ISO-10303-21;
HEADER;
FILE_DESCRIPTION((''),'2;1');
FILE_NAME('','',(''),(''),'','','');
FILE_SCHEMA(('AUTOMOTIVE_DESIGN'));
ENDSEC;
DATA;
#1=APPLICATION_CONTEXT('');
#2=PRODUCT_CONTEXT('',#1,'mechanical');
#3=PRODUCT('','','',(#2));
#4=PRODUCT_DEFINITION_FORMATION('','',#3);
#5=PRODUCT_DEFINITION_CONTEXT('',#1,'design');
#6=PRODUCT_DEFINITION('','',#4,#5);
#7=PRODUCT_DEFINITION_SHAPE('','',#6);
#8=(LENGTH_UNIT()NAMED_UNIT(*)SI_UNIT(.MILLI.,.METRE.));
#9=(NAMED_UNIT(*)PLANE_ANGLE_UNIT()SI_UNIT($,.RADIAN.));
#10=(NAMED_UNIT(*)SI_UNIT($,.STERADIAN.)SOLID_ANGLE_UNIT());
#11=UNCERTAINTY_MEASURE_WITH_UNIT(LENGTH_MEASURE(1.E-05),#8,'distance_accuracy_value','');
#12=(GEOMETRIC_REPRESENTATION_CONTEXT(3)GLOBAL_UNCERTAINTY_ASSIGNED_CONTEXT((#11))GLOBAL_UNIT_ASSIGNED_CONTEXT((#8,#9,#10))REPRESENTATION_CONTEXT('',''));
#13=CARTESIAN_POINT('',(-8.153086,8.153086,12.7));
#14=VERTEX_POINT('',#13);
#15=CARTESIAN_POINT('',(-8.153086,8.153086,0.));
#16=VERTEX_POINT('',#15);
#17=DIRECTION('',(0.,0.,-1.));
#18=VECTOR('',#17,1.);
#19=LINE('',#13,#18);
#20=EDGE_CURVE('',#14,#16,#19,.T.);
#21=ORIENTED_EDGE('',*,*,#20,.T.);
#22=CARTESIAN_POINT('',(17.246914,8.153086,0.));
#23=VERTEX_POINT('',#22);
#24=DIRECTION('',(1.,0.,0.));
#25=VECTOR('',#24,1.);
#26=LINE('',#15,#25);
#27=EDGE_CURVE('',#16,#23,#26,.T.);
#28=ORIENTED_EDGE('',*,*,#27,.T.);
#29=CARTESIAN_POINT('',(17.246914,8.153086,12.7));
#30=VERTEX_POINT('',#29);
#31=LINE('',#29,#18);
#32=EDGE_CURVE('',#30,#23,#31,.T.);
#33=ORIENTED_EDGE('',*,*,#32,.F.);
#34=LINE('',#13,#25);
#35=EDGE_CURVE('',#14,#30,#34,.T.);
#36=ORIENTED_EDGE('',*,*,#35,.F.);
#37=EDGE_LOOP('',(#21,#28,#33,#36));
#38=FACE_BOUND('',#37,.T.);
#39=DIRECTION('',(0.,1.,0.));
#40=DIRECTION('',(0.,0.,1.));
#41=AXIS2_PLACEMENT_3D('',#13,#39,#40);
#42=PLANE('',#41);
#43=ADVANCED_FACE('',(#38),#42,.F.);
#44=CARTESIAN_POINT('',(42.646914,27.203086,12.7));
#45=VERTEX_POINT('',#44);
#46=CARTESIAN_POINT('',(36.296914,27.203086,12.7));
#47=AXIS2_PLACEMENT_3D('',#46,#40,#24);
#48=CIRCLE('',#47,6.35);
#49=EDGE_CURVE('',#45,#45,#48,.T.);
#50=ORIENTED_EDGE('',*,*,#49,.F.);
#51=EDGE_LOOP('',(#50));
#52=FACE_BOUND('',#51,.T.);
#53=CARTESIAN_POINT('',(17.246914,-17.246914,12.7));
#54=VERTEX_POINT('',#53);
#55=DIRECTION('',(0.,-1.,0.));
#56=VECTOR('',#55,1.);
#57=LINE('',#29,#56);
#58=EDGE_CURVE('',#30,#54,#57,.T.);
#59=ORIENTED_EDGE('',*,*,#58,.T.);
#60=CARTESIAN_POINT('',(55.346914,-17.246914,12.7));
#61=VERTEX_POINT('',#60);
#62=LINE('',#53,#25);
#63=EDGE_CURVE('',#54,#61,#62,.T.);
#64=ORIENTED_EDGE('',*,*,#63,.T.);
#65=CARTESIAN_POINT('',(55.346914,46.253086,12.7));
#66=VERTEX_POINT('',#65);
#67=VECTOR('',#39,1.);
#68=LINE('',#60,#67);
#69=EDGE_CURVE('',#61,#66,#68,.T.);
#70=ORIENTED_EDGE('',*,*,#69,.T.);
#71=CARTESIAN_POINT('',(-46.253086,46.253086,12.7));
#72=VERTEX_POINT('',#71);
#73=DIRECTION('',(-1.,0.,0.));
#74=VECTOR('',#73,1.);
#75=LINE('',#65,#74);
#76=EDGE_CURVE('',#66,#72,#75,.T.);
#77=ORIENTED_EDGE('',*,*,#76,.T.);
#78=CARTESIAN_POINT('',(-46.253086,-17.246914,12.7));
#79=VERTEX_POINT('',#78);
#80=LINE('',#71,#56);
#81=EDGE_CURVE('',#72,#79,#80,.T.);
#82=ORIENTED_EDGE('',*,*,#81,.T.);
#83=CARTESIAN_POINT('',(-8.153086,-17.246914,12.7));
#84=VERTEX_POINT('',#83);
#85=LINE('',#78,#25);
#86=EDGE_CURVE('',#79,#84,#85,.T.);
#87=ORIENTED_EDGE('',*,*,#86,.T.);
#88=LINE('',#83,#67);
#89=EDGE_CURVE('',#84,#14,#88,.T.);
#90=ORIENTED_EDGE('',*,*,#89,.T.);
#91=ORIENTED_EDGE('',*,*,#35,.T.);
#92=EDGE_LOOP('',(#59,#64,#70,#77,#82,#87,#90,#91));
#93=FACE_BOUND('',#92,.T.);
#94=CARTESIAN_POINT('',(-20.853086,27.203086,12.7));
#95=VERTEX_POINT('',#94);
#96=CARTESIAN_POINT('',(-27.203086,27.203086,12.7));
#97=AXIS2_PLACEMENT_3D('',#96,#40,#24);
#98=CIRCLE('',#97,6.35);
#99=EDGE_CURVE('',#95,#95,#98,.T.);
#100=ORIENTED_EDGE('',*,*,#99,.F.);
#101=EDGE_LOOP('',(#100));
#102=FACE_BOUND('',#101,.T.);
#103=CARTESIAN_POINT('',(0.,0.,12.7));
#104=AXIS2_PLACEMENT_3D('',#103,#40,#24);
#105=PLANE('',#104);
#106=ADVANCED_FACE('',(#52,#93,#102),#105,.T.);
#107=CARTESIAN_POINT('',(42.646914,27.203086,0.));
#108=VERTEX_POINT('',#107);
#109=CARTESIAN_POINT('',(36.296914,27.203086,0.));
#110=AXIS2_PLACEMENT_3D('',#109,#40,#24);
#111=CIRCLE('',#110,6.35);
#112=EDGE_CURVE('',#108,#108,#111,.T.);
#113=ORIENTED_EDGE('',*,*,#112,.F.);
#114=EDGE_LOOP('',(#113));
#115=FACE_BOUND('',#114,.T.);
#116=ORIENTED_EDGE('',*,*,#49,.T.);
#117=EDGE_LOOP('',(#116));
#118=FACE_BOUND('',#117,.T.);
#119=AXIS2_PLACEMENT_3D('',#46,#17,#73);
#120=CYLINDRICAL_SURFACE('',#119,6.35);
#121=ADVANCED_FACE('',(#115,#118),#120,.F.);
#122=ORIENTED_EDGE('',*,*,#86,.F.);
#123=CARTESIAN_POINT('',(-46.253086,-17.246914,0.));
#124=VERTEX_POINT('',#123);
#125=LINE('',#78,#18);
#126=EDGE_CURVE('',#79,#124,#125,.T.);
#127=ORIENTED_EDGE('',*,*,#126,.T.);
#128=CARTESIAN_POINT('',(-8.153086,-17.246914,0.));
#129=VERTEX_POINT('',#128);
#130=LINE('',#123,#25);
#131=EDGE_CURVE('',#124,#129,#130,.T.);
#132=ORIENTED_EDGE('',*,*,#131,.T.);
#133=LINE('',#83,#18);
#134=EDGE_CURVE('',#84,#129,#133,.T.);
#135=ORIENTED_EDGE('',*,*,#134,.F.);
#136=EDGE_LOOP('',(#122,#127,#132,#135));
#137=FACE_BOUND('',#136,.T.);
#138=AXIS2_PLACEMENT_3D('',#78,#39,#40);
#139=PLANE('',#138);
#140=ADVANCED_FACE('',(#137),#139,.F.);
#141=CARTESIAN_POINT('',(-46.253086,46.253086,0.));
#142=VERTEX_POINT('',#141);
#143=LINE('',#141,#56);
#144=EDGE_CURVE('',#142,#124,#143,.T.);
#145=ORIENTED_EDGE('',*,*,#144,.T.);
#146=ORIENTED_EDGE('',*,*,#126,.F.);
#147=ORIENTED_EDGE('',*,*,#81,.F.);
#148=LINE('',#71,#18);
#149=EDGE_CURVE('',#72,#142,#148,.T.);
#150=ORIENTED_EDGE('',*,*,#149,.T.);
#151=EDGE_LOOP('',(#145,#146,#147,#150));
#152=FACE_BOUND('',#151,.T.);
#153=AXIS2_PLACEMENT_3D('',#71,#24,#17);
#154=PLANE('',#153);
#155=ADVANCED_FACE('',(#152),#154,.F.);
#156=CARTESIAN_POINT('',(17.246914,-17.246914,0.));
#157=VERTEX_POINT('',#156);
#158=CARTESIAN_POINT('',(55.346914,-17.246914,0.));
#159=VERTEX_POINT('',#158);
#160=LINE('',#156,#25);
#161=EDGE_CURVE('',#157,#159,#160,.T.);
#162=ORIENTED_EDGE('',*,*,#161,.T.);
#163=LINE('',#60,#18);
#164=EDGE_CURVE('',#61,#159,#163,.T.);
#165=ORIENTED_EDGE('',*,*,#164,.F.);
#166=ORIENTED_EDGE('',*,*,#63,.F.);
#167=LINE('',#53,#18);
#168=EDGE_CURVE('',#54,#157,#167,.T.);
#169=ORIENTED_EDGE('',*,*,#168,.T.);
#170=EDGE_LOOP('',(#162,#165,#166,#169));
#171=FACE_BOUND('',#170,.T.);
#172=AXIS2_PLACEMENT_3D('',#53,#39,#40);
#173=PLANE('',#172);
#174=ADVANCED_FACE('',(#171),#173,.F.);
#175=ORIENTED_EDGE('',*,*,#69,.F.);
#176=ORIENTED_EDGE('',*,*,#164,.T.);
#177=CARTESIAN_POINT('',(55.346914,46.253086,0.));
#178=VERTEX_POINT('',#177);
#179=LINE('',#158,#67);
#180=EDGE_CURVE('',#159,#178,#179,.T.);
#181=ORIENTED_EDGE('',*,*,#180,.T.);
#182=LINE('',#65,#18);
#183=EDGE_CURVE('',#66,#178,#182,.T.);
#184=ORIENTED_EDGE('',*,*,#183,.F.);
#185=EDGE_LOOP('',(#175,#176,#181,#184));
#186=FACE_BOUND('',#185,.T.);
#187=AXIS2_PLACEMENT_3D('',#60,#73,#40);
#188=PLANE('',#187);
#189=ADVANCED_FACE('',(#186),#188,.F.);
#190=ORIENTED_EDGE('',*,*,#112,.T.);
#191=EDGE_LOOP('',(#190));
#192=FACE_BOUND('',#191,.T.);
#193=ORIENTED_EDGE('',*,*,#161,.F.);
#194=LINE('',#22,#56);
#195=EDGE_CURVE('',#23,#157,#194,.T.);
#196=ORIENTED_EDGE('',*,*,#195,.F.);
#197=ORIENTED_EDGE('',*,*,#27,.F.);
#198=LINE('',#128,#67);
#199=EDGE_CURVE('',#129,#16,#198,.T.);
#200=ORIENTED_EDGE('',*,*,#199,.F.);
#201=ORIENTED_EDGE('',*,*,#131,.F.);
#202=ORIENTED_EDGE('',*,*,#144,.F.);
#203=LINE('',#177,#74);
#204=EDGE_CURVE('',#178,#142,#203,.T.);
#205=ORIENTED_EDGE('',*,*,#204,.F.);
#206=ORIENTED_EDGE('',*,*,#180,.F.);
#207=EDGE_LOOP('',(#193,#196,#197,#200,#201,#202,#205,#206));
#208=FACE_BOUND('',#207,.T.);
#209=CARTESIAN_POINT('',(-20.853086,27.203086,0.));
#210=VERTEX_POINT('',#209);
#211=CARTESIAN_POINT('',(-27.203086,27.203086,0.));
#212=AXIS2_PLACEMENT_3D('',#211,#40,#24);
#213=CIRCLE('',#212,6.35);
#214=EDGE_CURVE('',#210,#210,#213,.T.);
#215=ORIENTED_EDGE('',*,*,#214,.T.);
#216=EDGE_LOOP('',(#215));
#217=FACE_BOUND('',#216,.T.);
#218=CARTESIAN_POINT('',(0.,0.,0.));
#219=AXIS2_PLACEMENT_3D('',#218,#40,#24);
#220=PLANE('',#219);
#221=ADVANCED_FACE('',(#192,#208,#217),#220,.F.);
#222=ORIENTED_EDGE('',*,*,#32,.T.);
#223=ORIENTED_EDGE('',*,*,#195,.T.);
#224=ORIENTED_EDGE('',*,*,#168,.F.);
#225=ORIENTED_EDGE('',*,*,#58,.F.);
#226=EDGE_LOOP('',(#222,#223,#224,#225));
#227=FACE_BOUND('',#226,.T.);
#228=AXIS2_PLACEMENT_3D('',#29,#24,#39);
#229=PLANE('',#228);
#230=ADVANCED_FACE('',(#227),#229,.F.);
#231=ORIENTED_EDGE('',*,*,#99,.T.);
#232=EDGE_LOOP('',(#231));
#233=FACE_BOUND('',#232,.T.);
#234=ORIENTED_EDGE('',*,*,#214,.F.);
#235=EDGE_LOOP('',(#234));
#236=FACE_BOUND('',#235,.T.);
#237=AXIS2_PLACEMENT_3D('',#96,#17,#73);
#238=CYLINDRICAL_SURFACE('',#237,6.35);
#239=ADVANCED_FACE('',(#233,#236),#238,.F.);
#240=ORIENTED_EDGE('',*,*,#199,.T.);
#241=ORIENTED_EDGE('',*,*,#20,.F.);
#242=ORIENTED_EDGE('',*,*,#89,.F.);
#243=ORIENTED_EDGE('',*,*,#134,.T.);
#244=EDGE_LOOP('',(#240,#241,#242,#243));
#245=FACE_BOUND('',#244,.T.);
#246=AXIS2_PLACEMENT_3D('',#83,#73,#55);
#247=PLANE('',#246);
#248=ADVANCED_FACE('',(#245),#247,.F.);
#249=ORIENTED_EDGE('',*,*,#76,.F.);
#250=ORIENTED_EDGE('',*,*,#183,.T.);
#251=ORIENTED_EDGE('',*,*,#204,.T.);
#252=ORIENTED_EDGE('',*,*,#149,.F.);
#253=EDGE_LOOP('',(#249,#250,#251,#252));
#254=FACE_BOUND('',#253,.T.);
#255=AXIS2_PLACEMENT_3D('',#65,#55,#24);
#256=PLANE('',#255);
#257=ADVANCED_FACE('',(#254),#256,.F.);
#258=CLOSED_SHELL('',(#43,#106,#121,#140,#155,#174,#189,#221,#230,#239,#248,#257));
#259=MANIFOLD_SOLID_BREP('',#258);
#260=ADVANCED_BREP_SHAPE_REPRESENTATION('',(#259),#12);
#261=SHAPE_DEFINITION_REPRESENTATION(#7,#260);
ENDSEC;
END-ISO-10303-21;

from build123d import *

# Parameters (mm, degrees)
SKETCH1_R           = 6.35
BOSS_EXTRUDE1_DEPTH = 12.7


with BuildPart() as part:
    # Sketch1 → Boss-Extrude1 (new body)
    with BuildSketch(Plane.XY):
        Polygon((-46.25308642, 46.25308642), (-46.25308642, -17.24691358), (-8.15308642, -17.24691358), (-8.15308642, 8.15308642), (17.24691358, 8.15308642), (17.24691358, -17.24691358), (55.34691358, -17.24691358), (55.34691358, 46.25308642), align=None)
        with Locations((-27.20308642, 27.20308642)):
            Circle(SKETCH1_R, mode=Mode.SUBTRACT)
        with Locations((36.29691358, 27.20308642)):
            Circle(SKETCH1_R, mode=Mode.SUBTRACT)
    extrude(amount=BOSS_EXTRUDE1_DEPTH)


solid = part.part
